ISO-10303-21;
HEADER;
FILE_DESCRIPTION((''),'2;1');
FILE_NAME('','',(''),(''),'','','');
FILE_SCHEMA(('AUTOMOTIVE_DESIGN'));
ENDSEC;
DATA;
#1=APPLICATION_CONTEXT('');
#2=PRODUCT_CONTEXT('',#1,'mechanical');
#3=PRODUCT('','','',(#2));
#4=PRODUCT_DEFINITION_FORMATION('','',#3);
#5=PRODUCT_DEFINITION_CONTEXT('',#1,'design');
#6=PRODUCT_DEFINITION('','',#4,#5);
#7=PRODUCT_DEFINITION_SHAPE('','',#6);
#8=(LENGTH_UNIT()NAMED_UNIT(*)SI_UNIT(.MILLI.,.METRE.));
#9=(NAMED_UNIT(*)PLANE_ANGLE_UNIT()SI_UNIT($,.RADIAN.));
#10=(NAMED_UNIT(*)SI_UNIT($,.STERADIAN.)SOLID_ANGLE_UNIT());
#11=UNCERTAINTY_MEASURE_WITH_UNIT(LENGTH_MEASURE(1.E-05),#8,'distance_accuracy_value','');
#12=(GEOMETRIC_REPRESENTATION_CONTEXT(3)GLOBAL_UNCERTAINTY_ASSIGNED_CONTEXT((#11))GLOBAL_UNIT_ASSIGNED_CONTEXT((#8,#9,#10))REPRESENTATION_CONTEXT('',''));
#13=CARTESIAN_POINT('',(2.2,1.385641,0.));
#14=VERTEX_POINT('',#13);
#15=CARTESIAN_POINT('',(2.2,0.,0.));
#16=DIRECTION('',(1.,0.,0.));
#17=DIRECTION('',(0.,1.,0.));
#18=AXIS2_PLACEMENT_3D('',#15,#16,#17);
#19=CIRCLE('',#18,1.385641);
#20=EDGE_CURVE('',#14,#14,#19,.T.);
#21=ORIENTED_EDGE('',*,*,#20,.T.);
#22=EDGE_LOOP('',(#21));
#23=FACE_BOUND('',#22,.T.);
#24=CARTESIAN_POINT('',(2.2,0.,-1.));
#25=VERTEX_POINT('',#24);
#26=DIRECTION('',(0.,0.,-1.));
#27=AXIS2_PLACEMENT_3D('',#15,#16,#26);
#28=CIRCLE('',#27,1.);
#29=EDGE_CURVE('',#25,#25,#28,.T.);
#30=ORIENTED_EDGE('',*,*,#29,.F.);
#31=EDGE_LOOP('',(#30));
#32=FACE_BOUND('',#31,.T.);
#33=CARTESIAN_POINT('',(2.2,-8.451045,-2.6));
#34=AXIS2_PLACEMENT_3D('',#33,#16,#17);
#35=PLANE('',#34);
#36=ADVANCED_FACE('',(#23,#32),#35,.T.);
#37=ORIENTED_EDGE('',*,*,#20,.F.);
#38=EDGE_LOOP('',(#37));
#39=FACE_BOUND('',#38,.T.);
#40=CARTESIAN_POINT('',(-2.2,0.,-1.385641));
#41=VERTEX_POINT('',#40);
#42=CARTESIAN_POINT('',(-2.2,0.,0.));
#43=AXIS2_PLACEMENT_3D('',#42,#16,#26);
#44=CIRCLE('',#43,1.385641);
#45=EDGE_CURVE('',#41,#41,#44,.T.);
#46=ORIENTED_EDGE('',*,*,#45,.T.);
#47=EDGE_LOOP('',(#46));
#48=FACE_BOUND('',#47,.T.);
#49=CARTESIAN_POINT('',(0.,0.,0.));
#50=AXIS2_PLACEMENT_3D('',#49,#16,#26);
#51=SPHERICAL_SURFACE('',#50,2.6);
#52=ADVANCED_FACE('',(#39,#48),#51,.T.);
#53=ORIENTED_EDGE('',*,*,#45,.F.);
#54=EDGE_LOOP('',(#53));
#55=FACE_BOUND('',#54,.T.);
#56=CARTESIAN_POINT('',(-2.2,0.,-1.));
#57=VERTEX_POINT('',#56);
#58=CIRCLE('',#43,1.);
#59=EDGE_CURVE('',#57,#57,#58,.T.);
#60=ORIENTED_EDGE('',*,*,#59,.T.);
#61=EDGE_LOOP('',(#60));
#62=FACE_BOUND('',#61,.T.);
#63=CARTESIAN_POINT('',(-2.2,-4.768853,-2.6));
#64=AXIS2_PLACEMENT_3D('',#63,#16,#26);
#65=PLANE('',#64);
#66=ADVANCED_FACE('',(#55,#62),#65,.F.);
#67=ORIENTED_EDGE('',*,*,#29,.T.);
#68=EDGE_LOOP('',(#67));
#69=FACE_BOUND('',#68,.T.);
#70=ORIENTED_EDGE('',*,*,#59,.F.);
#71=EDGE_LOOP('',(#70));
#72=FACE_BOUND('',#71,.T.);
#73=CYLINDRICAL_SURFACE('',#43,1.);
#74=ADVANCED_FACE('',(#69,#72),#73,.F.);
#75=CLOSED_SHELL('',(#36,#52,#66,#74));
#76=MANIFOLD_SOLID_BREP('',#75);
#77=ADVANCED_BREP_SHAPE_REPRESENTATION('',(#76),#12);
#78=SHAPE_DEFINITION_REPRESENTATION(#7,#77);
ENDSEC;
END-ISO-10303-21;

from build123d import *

# Parameters (mm, degrees)
CUT_EXTRUDE3_DEPTH      = 5.5033321
CUT_EXTRUDE3_DEPTH_BACK = 5.5033321
SKETCH5_W               = 0.4
SKETCH5_H               = 8.681299001
SKETCH6_R               = 1
CUT_EXTRUDE5_DEPTH      = 6.734108475


with BuildPart() as part:
    # Sketch1 one side → Revolve5 (revolve)
    with BuildSketch(Plane.XY):
        with BuildLine():
            ThreePointArc((0, -2.6), (1.838477631, -1.838477631), (2.6, 0))
            ThreePointArc((2.6, 0), (1.838477631, 1.838477631), (0, 2.6))
            Line((0, 2.6), (0, -2.6))
        make_face()
    revolve(axis=Axis((0, 2.6, 0), (0, -1, 0)))

    # Sketch5 → Cut-Extrude3 (cut, two sides: drawn at the far end of the back side and taken through both)
    with BuildSketch(Plane.XY.offset(-CUT_EXTRUDE3_DEPTH_BACK)):
        with Locations((-2.4, -0.428203102)):
            Rectangle(SKETCH5_W, SKETCH5_H)
        with Locations((2.4, -0.428203102)):
            Rectangle(SKETCH5_W, SKETCH5_H)
    extrude(amount=CUT_EXTRUDE3_DEPTH + CUT_EXTRUDE3_DEPTH_BACK, mode=Mode.SUBTRACT)

    # Sketch6 → Cut-Extrude5 (cut, through all)
    with BuildSketch(Plane(origin=(2.2, 0, 0), x_dir=(0, 0, -1), z_dir=(1, 0, 0))):
        Circle(SKETCH6_R)
    extrude(amount=-CUT_EXTRUDE5_DEPTH, mode=Mode.SUBTRACT)


solid = part.part
